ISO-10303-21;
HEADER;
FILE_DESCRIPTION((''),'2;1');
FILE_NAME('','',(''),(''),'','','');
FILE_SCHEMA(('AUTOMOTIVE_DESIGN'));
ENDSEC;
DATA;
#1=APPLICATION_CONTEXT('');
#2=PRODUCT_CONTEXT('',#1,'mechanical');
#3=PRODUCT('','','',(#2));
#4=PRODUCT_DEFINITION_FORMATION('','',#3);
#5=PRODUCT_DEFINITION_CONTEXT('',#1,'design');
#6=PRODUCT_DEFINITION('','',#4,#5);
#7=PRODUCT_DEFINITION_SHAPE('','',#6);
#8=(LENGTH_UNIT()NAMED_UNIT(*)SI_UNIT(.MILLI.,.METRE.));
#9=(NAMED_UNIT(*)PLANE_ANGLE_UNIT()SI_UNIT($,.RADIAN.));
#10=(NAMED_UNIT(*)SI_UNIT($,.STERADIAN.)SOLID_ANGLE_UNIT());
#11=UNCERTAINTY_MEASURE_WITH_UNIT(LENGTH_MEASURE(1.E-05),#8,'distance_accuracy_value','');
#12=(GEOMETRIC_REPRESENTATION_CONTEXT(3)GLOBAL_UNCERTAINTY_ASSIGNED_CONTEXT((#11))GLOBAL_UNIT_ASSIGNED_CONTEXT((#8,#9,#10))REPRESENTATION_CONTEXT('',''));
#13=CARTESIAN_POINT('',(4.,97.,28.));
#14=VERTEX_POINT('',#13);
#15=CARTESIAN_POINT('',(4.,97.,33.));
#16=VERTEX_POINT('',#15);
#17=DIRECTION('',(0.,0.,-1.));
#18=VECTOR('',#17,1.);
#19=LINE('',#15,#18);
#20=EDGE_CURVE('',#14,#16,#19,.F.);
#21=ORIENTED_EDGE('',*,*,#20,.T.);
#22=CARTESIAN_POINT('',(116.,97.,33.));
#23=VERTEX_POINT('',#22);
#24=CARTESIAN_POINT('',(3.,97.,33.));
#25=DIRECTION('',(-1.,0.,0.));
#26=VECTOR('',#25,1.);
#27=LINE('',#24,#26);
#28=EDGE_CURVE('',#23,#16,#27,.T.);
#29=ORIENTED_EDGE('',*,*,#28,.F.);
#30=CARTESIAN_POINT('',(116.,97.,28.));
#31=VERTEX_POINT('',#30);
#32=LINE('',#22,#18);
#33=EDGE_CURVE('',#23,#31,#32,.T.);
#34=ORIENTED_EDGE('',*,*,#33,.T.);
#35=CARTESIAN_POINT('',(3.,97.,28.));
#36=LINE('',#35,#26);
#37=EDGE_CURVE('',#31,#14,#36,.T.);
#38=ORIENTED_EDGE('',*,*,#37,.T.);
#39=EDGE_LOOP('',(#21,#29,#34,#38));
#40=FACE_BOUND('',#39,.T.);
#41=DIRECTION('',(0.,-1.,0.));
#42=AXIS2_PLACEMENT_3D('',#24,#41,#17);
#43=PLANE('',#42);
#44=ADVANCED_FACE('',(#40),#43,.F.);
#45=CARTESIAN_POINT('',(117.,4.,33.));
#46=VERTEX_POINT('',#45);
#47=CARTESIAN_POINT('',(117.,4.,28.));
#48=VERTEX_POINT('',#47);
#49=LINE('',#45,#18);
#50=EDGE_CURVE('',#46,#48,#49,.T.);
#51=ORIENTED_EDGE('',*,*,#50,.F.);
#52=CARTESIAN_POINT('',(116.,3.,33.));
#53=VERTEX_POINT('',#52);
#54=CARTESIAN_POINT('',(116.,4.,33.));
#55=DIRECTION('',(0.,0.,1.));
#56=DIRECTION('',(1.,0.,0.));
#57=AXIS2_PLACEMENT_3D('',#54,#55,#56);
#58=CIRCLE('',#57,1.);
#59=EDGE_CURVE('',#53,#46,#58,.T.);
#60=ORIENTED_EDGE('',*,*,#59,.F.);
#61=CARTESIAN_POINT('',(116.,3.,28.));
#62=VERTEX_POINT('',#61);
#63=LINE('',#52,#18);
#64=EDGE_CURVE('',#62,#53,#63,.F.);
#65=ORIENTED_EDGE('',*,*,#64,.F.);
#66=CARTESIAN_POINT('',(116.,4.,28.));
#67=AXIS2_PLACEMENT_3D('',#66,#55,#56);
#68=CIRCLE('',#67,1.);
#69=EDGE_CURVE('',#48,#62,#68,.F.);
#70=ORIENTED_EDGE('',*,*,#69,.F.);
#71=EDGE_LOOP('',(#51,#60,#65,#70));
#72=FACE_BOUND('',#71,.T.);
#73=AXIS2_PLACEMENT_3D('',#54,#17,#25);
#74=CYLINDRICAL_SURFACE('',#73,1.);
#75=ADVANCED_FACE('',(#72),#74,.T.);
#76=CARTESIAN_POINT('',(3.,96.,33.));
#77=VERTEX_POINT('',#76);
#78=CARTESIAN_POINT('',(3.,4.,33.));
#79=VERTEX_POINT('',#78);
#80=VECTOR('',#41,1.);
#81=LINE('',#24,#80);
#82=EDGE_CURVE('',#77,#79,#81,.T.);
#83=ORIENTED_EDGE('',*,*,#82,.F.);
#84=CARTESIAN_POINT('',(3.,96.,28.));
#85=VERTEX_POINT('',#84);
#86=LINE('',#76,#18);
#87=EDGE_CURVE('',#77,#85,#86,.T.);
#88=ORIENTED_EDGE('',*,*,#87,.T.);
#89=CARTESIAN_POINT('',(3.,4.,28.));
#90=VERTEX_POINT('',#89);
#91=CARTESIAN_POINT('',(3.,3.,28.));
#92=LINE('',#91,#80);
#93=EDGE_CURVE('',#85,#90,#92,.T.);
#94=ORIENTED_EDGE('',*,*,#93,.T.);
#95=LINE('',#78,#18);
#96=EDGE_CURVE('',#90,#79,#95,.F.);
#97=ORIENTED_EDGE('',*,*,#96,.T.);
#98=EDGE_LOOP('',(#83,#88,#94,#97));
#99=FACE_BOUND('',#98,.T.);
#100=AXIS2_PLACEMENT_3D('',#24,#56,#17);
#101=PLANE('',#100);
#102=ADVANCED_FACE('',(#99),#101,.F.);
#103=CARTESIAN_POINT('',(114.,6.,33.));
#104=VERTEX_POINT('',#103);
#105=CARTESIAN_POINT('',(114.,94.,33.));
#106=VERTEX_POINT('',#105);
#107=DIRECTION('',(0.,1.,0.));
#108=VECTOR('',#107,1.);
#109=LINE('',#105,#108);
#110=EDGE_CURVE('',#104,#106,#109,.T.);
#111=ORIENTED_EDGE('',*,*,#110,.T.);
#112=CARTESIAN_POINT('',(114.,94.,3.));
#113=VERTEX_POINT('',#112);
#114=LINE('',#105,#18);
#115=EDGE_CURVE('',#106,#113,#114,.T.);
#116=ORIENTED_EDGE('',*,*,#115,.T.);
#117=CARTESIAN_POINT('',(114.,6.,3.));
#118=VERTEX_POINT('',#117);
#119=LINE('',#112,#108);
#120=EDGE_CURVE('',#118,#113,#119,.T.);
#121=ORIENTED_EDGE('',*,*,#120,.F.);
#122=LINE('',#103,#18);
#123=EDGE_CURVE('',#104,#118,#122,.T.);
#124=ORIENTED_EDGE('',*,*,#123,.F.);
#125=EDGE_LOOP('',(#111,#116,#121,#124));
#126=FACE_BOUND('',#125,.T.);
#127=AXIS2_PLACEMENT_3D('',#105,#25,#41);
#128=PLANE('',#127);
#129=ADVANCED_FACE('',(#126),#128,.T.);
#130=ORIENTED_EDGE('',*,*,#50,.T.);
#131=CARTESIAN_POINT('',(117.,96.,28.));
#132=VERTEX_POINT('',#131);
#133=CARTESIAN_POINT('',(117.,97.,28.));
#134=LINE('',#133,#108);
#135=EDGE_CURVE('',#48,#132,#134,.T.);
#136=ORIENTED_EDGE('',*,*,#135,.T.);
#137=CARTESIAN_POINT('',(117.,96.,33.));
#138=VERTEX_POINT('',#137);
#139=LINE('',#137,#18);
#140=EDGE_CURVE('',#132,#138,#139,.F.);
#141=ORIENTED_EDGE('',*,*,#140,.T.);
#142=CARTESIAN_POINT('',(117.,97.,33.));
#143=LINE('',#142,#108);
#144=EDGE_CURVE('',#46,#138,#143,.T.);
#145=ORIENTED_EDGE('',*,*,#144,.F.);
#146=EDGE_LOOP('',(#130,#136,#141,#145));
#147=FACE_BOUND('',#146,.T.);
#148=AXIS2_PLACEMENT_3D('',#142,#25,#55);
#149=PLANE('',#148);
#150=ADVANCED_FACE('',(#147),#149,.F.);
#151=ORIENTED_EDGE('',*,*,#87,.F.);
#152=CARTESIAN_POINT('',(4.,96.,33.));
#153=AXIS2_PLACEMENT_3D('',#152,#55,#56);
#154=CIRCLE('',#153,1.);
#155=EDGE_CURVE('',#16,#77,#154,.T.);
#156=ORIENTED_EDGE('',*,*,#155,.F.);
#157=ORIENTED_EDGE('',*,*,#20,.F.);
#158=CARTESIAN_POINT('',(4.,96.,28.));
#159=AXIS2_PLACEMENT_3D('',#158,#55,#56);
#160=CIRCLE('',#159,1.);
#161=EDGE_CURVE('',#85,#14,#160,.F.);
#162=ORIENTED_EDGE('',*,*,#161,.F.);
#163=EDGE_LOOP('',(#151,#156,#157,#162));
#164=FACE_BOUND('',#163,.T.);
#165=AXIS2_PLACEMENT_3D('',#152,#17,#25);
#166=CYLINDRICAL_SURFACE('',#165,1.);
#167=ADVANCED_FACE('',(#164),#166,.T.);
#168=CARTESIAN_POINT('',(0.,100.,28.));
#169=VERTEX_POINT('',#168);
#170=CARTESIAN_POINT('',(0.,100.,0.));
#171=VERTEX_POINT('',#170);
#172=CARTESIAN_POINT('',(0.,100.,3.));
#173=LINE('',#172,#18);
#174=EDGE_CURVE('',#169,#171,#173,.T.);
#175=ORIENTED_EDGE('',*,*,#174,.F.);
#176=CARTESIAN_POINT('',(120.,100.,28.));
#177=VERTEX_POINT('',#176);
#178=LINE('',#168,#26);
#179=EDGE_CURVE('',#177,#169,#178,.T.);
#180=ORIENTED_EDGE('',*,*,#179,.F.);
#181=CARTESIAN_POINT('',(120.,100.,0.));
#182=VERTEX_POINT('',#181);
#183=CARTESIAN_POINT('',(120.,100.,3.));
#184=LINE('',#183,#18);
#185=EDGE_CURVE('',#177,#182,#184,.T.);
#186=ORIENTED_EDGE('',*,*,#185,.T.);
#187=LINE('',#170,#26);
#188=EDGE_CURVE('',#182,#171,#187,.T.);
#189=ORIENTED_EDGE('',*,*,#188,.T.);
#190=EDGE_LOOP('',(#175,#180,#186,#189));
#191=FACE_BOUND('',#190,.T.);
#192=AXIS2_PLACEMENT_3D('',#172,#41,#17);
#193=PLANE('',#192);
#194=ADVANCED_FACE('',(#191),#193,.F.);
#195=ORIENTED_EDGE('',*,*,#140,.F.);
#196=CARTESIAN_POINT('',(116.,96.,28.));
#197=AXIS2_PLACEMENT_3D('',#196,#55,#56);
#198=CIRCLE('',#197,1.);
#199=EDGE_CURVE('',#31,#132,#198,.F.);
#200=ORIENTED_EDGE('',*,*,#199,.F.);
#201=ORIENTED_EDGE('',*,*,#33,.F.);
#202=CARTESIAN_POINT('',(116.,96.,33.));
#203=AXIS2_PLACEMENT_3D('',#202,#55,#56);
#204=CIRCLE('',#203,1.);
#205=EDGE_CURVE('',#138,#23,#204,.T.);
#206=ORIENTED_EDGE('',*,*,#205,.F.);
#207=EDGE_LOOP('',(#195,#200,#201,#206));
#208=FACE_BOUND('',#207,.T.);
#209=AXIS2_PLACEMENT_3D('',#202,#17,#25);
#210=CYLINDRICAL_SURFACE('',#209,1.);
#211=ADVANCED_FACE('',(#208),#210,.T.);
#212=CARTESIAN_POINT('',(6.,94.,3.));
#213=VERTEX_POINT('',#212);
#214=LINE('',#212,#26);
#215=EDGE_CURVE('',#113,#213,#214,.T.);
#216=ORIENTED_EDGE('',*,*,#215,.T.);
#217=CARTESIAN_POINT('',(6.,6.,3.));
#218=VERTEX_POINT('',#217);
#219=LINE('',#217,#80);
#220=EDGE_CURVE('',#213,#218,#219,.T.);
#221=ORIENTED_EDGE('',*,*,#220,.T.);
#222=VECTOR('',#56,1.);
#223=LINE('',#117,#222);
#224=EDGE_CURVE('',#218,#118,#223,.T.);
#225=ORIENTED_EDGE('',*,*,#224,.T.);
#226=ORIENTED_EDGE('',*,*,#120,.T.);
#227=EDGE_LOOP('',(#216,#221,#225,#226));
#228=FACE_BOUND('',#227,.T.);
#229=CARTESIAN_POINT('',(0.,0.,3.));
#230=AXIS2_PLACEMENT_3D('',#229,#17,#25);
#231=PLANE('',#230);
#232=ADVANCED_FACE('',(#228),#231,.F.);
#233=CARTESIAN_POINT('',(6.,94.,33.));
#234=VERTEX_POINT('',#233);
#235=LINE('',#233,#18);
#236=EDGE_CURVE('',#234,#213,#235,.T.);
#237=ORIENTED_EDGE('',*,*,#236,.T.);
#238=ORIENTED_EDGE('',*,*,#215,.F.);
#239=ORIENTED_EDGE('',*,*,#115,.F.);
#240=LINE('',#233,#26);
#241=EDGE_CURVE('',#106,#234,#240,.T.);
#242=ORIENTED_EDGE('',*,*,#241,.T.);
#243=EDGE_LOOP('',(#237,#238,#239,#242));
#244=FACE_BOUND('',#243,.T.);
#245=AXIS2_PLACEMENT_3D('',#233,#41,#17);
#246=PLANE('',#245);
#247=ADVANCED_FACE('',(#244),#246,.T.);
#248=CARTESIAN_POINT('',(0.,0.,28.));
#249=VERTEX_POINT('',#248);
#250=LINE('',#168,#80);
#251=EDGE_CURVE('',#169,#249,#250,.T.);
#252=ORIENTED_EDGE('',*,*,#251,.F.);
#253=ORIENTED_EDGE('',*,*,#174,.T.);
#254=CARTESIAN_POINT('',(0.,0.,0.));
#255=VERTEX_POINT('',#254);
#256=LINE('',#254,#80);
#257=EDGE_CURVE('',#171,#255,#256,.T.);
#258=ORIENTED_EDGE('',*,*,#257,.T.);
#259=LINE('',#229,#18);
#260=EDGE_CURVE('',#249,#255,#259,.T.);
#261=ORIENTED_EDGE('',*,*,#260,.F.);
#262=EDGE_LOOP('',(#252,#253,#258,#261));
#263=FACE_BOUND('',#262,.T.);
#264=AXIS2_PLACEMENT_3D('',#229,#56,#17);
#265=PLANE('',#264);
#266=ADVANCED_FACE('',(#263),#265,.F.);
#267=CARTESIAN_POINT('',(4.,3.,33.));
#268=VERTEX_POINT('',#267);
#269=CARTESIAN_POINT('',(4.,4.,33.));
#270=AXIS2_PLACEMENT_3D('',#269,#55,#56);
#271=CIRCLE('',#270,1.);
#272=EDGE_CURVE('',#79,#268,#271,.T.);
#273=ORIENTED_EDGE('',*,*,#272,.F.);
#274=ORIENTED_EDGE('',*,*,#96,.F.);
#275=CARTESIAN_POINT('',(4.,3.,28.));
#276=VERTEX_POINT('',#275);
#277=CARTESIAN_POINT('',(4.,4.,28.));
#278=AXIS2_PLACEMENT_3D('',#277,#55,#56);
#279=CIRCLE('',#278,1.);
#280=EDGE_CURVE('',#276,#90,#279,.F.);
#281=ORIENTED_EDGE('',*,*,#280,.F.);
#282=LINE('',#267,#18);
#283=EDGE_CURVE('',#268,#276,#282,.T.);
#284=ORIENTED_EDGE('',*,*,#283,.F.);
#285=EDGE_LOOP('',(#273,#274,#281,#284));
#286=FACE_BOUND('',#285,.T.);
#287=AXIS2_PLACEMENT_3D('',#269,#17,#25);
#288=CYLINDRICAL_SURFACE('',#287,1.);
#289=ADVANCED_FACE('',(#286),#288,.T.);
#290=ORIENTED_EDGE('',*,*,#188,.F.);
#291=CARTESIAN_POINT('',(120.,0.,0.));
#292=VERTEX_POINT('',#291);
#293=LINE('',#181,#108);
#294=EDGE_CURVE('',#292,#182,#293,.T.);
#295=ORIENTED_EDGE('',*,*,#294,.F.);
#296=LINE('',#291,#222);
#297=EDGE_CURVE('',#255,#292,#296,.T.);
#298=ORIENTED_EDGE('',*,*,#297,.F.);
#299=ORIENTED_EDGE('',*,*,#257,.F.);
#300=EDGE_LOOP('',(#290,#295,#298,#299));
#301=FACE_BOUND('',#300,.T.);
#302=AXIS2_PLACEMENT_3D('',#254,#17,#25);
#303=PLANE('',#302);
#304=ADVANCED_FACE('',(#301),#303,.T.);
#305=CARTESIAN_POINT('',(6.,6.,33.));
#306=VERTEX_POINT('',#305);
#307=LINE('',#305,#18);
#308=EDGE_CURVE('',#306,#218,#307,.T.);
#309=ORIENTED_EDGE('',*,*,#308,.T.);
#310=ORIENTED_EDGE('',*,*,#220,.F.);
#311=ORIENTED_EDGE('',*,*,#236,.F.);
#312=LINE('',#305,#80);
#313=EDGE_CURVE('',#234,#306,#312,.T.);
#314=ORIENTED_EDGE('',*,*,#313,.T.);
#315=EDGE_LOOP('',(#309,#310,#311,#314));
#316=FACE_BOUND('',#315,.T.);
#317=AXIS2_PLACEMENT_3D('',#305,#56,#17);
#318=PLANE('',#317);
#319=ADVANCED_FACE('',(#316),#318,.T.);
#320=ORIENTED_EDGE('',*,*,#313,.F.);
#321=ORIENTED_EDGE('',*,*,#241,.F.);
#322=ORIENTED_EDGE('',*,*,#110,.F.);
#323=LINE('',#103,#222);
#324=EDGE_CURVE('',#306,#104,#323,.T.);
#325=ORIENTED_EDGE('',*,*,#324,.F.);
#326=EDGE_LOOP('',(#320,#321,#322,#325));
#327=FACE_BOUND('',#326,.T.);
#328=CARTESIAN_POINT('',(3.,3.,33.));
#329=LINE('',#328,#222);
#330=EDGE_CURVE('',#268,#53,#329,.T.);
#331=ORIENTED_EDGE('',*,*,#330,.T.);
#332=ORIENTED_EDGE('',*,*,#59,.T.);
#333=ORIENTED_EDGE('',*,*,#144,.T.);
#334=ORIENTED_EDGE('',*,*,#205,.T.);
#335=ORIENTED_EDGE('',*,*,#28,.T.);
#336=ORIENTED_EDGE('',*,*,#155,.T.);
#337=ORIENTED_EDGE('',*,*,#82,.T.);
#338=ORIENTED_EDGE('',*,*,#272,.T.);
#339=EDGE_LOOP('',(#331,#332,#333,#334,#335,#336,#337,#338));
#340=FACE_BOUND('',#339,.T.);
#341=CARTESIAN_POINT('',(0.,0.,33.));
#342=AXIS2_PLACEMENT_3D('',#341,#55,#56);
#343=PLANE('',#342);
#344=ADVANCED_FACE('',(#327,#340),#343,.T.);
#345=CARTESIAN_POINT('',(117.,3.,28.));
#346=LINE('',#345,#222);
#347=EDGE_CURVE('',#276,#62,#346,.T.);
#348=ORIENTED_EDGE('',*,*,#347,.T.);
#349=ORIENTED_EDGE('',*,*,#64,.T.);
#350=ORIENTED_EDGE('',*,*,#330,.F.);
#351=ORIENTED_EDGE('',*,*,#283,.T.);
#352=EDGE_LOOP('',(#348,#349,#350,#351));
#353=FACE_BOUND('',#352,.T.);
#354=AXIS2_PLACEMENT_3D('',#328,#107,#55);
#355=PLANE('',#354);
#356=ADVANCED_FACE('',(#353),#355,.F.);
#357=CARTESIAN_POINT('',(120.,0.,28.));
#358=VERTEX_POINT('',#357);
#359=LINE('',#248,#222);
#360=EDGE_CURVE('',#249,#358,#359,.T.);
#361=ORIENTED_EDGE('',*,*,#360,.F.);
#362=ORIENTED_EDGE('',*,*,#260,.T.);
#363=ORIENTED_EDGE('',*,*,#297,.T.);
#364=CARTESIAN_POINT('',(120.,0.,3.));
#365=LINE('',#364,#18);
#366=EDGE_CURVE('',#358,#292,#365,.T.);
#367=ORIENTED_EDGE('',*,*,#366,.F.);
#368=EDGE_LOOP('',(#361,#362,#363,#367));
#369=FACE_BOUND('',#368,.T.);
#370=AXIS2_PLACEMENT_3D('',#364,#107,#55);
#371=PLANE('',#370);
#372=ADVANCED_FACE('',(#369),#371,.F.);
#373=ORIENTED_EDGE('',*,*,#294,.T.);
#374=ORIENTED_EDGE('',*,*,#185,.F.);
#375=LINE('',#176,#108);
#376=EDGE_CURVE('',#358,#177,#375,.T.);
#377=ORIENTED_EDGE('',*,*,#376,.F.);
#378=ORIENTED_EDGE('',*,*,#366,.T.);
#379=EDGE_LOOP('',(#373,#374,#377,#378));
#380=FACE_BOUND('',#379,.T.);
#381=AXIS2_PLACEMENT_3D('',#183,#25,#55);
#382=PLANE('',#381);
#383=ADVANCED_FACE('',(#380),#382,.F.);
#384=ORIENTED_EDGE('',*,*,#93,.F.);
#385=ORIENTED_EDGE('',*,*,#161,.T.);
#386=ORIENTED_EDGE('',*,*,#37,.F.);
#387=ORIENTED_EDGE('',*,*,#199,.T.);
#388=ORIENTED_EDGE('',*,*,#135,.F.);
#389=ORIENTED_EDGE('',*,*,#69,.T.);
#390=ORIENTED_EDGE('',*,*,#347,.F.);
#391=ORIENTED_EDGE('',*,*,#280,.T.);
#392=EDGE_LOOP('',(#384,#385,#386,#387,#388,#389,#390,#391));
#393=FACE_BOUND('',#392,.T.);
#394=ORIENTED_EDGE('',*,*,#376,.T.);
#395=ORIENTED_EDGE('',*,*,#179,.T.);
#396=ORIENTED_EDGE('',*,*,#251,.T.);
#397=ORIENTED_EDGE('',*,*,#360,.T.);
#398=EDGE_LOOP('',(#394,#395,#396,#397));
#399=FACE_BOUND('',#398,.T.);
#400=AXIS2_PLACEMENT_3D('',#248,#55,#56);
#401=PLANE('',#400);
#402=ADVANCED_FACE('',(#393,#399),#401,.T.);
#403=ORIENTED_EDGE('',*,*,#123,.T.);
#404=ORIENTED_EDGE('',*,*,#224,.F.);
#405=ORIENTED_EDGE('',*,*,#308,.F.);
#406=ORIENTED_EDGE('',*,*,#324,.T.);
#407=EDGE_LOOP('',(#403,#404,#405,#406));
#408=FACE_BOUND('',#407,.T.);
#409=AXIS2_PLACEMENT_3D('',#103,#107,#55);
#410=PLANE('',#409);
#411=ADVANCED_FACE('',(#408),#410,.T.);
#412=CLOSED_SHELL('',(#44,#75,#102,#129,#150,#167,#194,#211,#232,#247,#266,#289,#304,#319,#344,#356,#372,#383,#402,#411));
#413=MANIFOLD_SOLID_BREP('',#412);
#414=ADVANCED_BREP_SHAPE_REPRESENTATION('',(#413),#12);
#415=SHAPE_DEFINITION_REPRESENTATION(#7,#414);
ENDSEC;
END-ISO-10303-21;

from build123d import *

# Parameters (mm, degrees)
CROQUIS1_W              = 120
CROQUIS1_H              = 100
SALIENTE_EXTRUIR1_DEPTH = 3
CROQUIS3_W              = 120
CROQUIS3_H              = 100
CROQUIS3_W_2            = 114
CROQUIS3_H_2            = 94
SALIENTE_EXTRUIR2_DEPTH = 25
CROQUIS4_W              = 114
CROQUIS4_H              = 94
CROQUIS4_W_2            = 108
CROQUIS4_H_2            = 88
SALIENTE_EXTRUIR3_DEPTH = 30
REDONDEO1_R             = 1


with BuildPart() as part:
    # Croquis1 → Saliente-Extruir1 (new body)
    with BuildSketch(Plane.XY):
        with Locations((60, 50)):
            Rectangle(CROQUIS1_W, CROQUIS1_H)
    extrude(amount=SALIENTE_EXTRUIR1_DEPTH)

    # Croquis3 → Saliente-Extruir2 (add)
    with BuildSketch(Plane.XY.offset(3)):
        with Locations((60, 50)):
            Rectangle(CROQUIS3_W, CROQUIS3_H)
        with Locations((60, 50)):
            Rectangle(CROQUIS3_W_2, CROQUIS3_H_2, mode=Mode.SUBTRACT)
    extrude(amount=SALIENTE_EXTRUIR2_DEPTH)

    # Croquis4 → Saliente-Extruir3 (add)
    with BuildSketch(Plane.XY.offset(3)):
        with Locations((60, 50)):
            Rectangle(CROQUIS4_W, CROQUIS4_H)
        with Locations((60, 50)):
            Rectangle(CROQUIS4_W_2, CROQUIS4_H_2, mode=Mode.SUBTRACT)
    extrude(amount=SALIENTE_EXTRUIR3_DEPTH)

    # Redondeo1
    redondeo1_edges = [part.edges().sort_by_distance(p)[0] for p in [
        (3, 97, 30.5),
        (3, 3, 30.5),
        (117, 3, 30.5),
        (117, 97, 30.5),
    ]]
    fillet(redondeo1_edges, radius=REDONDEO1_R)


solid = part.part
